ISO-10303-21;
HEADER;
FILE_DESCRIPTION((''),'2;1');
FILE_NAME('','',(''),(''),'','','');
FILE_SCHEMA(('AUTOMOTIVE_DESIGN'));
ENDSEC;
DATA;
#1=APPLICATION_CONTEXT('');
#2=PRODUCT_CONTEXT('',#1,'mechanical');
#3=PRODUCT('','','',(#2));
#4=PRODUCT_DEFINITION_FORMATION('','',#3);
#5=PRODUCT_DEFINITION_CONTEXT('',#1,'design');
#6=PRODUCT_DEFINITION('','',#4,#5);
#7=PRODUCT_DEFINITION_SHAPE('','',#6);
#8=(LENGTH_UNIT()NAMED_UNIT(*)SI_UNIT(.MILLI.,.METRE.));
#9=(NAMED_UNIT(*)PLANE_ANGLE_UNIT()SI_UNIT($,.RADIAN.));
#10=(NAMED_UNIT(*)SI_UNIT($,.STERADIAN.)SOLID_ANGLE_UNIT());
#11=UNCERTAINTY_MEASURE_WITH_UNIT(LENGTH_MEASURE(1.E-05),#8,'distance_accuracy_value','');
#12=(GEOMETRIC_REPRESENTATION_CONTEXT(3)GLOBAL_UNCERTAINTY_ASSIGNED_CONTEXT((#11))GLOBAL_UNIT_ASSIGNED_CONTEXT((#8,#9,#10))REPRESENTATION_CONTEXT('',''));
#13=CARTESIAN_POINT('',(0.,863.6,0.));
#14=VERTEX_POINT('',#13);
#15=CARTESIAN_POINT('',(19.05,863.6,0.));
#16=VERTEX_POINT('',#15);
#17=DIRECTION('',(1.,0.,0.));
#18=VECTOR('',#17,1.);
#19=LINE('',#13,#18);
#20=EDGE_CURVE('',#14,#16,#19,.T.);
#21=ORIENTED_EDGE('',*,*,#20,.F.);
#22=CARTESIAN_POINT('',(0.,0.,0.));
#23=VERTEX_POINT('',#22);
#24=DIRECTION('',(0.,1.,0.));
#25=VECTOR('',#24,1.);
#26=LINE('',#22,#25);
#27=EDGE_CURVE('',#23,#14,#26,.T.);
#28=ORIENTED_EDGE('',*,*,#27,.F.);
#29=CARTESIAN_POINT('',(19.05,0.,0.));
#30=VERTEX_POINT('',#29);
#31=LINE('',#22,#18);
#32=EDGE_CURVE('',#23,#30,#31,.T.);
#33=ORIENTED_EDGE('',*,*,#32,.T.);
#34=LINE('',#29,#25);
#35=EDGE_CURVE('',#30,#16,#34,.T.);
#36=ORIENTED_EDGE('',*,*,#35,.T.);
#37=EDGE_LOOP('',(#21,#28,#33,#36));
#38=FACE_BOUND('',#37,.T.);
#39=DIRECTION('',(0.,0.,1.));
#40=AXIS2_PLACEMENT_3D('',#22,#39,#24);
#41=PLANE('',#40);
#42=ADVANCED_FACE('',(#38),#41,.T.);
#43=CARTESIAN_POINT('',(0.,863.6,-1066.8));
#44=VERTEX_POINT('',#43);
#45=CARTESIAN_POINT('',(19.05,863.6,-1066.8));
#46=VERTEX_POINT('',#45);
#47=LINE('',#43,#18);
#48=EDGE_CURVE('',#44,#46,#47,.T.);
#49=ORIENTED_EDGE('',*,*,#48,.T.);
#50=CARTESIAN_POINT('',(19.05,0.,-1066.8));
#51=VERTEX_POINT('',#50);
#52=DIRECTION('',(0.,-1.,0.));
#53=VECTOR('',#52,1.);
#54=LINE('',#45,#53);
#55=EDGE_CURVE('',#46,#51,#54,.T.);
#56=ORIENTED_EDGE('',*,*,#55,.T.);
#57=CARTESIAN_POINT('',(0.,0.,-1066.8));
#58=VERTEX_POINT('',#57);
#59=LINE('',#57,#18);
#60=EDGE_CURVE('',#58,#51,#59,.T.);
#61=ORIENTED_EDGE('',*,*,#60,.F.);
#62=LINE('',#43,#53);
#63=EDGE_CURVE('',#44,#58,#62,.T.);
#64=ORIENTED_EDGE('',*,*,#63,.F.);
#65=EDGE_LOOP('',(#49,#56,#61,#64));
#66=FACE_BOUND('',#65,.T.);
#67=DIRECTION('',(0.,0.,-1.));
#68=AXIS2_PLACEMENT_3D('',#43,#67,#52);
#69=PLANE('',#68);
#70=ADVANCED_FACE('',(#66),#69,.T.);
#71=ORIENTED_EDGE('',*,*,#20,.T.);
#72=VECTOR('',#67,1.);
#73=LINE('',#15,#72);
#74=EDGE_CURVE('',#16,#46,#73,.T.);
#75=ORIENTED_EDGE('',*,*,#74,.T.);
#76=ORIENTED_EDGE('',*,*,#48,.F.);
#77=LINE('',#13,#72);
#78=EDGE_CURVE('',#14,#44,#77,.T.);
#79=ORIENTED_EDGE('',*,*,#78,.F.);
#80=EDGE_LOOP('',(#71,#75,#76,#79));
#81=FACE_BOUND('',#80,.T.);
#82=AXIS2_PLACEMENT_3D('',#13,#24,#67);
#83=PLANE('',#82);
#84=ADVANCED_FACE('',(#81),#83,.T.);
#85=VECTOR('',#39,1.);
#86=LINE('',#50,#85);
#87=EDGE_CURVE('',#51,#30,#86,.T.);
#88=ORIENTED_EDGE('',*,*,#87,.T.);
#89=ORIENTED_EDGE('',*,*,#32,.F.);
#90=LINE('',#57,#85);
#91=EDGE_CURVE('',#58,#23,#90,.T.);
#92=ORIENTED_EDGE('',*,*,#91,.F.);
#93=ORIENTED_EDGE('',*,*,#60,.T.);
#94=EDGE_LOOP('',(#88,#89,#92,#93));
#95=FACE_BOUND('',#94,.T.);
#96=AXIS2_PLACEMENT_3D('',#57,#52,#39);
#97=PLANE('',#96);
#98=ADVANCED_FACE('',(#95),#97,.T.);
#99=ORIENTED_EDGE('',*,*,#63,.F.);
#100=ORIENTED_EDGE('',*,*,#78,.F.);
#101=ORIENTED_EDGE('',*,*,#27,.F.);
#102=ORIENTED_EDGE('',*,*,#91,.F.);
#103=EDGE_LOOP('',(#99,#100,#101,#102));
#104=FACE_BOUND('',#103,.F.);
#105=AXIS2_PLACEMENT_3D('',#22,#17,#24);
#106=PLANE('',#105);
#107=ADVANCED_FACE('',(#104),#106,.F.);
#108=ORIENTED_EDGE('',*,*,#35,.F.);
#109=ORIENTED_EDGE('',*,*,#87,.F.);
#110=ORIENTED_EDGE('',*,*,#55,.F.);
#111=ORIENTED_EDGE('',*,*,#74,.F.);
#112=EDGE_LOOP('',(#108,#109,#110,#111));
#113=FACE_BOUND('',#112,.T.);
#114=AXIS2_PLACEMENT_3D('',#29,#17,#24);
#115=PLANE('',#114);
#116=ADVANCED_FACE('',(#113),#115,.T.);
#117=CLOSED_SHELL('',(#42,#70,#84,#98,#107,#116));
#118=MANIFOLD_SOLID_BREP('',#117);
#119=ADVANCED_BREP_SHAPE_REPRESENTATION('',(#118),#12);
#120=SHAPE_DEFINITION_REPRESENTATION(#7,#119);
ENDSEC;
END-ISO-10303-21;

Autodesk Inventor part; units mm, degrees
ref_plane "YZ Plane" through (0, 0, 0) normal (1, 0, 0) x (0, 1, 0)
ref_plane "XZ Plane" through (0, 0, 0) normal (0, 1, 0) x (-1, 0, 0)
ref_plane "XY Plane" through (0, 0, 0) normal (0, 0, 1) x (1, 0, 0)
sketch "Sketch1" plane through (0, 0, 0) normal (1, 0, 0) x (0, 1, 0)
  line L0 (0, 0) -> (863.6, 0)
  line L1 (863.6, 0) -> (863.6, -1066.8)
  line L2 (863.6, -1066.8) -> (0, -1066.8)
  line L3 (0, -1066.8) -> (0, 0)
  dimension "d1" = 1066.8
  dimension "d2" = 863.6
extrude "Extrusion1" add sketch "Sketch1" along normal blind 19.05
properties part number "Plywood--0.75_x_34_x_42.75_in"
